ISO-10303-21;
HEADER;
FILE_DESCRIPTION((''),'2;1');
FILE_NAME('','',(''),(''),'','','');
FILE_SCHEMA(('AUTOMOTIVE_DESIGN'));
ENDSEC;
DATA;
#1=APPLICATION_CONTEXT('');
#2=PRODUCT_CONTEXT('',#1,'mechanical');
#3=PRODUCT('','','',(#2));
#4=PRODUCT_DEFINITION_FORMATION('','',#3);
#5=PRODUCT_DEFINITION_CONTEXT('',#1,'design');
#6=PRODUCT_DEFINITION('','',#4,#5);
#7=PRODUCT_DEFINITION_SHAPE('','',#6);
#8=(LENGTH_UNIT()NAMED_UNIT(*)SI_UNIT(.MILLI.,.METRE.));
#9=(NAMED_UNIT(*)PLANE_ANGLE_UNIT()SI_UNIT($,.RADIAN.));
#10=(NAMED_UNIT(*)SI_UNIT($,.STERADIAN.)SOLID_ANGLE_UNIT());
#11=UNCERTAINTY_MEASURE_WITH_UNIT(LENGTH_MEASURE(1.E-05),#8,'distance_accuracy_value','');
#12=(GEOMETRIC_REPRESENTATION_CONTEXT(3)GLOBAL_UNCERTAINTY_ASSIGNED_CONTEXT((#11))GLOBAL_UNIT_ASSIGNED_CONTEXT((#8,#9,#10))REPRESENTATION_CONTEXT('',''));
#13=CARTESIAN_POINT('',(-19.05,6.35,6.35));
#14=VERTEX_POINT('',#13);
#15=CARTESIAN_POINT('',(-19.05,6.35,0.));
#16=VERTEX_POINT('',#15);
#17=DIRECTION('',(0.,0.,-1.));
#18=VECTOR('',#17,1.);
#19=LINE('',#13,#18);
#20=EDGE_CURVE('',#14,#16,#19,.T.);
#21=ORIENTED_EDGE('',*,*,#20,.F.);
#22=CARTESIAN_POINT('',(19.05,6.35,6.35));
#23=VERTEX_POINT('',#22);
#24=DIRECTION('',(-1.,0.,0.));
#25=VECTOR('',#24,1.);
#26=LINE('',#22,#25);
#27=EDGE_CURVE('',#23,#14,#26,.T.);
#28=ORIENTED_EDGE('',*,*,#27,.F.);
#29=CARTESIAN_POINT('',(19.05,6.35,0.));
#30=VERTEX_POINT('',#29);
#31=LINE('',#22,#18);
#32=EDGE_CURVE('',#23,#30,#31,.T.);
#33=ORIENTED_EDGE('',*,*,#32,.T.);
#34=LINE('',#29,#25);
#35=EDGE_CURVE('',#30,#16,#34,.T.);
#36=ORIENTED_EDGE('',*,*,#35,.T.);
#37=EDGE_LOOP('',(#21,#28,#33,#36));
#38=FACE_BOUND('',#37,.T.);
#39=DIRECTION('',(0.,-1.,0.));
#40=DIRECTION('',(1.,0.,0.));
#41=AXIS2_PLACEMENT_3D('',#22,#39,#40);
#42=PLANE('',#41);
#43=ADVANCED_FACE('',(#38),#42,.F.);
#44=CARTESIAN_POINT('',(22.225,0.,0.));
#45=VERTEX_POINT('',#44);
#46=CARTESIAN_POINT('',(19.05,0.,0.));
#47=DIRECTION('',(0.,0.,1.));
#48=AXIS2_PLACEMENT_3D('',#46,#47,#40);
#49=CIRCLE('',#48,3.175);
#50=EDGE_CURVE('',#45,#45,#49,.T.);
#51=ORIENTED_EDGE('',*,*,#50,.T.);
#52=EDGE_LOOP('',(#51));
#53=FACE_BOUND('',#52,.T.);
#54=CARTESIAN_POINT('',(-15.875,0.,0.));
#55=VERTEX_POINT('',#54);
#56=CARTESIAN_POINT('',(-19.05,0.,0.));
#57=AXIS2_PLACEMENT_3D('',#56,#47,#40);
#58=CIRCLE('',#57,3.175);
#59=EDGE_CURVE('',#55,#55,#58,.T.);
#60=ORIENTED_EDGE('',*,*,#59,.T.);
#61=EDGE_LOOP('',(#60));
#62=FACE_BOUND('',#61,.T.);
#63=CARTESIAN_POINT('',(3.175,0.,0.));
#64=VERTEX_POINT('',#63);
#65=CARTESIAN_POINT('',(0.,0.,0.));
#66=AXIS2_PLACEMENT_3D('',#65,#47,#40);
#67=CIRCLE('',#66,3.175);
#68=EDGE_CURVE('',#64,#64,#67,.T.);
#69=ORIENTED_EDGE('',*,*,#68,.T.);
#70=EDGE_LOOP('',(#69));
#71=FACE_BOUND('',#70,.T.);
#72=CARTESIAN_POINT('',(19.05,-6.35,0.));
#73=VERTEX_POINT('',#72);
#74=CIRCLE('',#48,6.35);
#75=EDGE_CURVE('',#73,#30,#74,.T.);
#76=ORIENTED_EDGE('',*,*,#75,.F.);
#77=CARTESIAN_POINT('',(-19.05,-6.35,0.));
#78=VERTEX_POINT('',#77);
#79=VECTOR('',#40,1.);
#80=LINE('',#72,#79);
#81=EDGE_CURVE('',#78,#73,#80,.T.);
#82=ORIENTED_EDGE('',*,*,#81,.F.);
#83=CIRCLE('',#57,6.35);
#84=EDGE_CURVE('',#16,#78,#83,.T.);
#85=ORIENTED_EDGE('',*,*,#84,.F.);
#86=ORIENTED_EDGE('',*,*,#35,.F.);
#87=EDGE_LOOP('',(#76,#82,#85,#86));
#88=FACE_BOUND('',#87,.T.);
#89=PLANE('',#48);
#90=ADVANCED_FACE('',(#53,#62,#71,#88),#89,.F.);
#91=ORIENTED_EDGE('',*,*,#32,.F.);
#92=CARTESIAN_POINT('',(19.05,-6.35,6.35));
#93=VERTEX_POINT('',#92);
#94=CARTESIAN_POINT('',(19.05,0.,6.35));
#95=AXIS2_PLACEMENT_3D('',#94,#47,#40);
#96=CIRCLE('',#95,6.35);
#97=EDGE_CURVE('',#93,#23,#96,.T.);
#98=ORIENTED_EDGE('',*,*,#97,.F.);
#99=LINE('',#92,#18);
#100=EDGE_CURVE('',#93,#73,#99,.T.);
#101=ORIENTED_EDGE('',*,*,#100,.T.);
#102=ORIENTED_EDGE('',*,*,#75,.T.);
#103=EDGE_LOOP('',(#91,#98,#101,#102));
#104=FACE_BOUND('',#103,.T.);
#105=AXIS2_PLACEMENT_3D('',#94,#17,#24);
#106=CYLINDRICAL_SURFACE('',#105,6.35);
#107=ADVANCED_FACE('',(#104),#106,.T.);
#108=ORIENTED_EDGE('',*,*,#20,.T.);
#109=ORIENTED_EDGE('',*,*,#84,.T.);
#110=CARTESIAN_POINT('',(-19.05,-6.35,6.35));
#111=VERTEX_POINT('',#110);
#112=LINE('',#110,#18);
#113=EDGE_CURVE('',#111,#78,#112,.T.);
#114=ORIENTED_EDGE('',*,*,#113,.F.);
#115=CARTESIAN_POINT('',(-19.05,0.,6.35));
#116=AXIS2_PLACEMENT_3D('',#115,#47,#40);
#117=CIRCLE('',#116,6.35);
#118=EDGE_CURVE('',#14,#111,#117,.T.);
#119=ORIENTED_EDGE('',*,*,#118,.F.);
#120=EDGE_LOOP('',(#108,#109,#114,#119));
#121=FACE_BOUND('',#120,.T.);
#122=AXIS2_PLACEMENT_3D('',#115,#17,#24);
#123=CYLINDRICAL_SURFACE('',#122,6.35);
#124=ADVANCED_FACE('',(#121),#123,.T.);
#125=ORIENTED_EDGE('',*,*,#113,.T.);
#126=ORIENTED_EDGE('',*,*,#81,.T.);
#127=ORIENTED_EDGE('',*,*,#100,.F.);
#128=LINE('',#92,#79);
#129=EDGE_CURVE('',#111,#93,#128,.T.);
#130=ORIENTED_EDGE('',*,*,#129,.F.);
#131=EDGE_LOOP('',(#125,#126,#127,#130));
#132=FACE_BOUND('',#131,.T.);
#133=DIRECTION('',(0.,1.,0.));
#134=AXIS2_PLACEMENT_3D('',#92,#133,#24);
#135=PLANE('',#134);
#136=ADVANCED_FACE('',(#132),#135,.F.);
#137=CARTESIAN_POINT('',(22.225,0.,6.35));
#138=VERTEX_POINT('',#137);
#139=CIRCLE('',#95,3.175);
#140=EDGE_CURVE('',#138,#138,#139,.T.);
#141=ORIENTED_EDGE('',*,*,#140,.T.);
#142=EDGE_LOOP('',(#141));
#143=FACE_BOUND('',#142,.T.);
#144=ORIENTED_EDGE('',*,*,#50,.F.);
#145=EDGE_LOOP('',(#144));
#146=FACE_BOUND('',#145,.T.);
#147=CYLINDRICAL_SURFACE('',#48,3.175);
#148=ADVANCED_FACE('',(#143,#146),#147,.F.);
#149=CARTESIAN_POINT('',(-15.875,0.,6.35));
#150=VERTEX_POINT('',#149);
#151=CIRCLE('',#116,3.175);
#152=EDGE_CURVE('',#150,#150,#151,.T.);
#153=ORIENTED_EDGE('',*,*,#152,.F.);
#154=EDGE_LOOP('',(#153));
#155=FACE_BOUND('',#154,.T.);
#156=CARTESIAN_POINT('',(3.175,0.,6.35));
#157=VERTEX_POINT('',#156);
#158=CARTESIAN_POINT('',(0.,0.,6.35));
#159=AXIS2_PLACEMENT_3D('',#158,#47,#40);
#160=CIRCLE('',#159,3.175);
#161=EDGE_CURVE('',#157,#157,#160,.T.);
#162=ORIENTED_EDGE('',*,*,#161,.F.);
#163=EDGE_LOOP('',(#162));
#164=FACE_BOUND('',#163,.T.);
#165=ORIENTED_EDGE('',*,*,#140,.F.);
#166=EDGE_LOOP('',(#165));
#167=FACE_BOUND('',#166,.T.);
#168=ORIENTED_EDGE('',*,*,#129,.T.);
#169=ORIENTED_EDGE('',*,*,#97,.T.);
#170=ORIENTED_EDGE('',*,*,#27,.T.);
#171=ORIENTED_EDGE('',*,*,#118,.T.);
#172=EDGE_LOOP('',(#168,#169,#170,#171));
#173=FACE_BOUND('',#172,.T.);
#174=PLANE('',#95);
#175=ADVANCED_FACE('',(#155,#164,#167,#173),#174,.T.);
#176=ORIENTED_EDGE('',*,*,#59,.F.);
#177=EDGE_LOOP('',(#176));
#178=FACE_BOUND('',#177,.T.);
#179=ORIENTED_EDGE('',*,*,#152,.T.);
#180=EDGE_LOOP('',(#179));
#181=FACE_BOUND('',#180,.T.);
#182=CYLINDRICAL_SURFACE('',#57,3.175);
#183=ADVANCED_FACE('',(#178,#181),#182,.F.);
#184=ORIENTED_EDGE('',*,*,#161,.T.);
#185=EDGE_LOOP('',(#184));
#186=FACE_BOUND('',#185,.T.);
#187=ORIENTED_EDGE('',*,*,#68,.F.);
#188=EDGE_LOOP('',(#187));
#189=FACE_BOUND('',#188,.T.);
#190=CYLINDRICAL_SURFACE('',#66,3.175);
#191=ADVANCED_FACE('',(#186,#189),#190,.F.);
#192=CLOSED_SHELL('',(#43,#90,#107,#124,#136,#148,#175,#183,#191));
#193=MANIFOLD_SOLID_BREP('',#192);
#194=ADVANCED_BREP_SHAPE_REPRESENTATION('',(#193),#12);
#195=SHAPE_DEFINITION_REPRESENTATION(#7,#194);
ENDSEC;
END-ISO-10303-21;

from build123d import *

# Parameters (mm, degrees)
BOSS_EXTRUDE1_DEPTH = 6.35
SKETCH3_R           = 3.175
CUT_EXTRUDE1_DEPTH  = 27.940768363


with BuildPart() as part:
    # Sketch2 → Boss-Extrude1 (new body)
    with BuildSketch(Plane.XY):
        with BuildLine():
            Line((19.05, -6.35), (-19.05, -6.35))
            ThreePointArc((-19.05, -6.35), (-25.4, 0), (-19.05, 6.35))
            Line((-19.05, 6.35), (19.05, 6.35))
            ThreePointArc((19.05, 6.35), (25.4, 0), (19.05, -6.35))
        make_face()
    extrude(amount=BOSS_EXTRUDE1_DEPTH)

    # Sketch3 → Cut-Extrude1 (cut, through all)
    with BuildSketch(Plane.XY.offset(6.35)):
        with Locations((-19.05, 0)):
            Circle(SKETCH3_R)
        Circle(SKETCH3_R)
        with Locations((19.05, 0)):
            Circle(SKETCH3_R)
    extrude(amount=-CUT_EXTRUDE1_DEPTH, mode=Mode.SUBTRACT)


solid = part.part
